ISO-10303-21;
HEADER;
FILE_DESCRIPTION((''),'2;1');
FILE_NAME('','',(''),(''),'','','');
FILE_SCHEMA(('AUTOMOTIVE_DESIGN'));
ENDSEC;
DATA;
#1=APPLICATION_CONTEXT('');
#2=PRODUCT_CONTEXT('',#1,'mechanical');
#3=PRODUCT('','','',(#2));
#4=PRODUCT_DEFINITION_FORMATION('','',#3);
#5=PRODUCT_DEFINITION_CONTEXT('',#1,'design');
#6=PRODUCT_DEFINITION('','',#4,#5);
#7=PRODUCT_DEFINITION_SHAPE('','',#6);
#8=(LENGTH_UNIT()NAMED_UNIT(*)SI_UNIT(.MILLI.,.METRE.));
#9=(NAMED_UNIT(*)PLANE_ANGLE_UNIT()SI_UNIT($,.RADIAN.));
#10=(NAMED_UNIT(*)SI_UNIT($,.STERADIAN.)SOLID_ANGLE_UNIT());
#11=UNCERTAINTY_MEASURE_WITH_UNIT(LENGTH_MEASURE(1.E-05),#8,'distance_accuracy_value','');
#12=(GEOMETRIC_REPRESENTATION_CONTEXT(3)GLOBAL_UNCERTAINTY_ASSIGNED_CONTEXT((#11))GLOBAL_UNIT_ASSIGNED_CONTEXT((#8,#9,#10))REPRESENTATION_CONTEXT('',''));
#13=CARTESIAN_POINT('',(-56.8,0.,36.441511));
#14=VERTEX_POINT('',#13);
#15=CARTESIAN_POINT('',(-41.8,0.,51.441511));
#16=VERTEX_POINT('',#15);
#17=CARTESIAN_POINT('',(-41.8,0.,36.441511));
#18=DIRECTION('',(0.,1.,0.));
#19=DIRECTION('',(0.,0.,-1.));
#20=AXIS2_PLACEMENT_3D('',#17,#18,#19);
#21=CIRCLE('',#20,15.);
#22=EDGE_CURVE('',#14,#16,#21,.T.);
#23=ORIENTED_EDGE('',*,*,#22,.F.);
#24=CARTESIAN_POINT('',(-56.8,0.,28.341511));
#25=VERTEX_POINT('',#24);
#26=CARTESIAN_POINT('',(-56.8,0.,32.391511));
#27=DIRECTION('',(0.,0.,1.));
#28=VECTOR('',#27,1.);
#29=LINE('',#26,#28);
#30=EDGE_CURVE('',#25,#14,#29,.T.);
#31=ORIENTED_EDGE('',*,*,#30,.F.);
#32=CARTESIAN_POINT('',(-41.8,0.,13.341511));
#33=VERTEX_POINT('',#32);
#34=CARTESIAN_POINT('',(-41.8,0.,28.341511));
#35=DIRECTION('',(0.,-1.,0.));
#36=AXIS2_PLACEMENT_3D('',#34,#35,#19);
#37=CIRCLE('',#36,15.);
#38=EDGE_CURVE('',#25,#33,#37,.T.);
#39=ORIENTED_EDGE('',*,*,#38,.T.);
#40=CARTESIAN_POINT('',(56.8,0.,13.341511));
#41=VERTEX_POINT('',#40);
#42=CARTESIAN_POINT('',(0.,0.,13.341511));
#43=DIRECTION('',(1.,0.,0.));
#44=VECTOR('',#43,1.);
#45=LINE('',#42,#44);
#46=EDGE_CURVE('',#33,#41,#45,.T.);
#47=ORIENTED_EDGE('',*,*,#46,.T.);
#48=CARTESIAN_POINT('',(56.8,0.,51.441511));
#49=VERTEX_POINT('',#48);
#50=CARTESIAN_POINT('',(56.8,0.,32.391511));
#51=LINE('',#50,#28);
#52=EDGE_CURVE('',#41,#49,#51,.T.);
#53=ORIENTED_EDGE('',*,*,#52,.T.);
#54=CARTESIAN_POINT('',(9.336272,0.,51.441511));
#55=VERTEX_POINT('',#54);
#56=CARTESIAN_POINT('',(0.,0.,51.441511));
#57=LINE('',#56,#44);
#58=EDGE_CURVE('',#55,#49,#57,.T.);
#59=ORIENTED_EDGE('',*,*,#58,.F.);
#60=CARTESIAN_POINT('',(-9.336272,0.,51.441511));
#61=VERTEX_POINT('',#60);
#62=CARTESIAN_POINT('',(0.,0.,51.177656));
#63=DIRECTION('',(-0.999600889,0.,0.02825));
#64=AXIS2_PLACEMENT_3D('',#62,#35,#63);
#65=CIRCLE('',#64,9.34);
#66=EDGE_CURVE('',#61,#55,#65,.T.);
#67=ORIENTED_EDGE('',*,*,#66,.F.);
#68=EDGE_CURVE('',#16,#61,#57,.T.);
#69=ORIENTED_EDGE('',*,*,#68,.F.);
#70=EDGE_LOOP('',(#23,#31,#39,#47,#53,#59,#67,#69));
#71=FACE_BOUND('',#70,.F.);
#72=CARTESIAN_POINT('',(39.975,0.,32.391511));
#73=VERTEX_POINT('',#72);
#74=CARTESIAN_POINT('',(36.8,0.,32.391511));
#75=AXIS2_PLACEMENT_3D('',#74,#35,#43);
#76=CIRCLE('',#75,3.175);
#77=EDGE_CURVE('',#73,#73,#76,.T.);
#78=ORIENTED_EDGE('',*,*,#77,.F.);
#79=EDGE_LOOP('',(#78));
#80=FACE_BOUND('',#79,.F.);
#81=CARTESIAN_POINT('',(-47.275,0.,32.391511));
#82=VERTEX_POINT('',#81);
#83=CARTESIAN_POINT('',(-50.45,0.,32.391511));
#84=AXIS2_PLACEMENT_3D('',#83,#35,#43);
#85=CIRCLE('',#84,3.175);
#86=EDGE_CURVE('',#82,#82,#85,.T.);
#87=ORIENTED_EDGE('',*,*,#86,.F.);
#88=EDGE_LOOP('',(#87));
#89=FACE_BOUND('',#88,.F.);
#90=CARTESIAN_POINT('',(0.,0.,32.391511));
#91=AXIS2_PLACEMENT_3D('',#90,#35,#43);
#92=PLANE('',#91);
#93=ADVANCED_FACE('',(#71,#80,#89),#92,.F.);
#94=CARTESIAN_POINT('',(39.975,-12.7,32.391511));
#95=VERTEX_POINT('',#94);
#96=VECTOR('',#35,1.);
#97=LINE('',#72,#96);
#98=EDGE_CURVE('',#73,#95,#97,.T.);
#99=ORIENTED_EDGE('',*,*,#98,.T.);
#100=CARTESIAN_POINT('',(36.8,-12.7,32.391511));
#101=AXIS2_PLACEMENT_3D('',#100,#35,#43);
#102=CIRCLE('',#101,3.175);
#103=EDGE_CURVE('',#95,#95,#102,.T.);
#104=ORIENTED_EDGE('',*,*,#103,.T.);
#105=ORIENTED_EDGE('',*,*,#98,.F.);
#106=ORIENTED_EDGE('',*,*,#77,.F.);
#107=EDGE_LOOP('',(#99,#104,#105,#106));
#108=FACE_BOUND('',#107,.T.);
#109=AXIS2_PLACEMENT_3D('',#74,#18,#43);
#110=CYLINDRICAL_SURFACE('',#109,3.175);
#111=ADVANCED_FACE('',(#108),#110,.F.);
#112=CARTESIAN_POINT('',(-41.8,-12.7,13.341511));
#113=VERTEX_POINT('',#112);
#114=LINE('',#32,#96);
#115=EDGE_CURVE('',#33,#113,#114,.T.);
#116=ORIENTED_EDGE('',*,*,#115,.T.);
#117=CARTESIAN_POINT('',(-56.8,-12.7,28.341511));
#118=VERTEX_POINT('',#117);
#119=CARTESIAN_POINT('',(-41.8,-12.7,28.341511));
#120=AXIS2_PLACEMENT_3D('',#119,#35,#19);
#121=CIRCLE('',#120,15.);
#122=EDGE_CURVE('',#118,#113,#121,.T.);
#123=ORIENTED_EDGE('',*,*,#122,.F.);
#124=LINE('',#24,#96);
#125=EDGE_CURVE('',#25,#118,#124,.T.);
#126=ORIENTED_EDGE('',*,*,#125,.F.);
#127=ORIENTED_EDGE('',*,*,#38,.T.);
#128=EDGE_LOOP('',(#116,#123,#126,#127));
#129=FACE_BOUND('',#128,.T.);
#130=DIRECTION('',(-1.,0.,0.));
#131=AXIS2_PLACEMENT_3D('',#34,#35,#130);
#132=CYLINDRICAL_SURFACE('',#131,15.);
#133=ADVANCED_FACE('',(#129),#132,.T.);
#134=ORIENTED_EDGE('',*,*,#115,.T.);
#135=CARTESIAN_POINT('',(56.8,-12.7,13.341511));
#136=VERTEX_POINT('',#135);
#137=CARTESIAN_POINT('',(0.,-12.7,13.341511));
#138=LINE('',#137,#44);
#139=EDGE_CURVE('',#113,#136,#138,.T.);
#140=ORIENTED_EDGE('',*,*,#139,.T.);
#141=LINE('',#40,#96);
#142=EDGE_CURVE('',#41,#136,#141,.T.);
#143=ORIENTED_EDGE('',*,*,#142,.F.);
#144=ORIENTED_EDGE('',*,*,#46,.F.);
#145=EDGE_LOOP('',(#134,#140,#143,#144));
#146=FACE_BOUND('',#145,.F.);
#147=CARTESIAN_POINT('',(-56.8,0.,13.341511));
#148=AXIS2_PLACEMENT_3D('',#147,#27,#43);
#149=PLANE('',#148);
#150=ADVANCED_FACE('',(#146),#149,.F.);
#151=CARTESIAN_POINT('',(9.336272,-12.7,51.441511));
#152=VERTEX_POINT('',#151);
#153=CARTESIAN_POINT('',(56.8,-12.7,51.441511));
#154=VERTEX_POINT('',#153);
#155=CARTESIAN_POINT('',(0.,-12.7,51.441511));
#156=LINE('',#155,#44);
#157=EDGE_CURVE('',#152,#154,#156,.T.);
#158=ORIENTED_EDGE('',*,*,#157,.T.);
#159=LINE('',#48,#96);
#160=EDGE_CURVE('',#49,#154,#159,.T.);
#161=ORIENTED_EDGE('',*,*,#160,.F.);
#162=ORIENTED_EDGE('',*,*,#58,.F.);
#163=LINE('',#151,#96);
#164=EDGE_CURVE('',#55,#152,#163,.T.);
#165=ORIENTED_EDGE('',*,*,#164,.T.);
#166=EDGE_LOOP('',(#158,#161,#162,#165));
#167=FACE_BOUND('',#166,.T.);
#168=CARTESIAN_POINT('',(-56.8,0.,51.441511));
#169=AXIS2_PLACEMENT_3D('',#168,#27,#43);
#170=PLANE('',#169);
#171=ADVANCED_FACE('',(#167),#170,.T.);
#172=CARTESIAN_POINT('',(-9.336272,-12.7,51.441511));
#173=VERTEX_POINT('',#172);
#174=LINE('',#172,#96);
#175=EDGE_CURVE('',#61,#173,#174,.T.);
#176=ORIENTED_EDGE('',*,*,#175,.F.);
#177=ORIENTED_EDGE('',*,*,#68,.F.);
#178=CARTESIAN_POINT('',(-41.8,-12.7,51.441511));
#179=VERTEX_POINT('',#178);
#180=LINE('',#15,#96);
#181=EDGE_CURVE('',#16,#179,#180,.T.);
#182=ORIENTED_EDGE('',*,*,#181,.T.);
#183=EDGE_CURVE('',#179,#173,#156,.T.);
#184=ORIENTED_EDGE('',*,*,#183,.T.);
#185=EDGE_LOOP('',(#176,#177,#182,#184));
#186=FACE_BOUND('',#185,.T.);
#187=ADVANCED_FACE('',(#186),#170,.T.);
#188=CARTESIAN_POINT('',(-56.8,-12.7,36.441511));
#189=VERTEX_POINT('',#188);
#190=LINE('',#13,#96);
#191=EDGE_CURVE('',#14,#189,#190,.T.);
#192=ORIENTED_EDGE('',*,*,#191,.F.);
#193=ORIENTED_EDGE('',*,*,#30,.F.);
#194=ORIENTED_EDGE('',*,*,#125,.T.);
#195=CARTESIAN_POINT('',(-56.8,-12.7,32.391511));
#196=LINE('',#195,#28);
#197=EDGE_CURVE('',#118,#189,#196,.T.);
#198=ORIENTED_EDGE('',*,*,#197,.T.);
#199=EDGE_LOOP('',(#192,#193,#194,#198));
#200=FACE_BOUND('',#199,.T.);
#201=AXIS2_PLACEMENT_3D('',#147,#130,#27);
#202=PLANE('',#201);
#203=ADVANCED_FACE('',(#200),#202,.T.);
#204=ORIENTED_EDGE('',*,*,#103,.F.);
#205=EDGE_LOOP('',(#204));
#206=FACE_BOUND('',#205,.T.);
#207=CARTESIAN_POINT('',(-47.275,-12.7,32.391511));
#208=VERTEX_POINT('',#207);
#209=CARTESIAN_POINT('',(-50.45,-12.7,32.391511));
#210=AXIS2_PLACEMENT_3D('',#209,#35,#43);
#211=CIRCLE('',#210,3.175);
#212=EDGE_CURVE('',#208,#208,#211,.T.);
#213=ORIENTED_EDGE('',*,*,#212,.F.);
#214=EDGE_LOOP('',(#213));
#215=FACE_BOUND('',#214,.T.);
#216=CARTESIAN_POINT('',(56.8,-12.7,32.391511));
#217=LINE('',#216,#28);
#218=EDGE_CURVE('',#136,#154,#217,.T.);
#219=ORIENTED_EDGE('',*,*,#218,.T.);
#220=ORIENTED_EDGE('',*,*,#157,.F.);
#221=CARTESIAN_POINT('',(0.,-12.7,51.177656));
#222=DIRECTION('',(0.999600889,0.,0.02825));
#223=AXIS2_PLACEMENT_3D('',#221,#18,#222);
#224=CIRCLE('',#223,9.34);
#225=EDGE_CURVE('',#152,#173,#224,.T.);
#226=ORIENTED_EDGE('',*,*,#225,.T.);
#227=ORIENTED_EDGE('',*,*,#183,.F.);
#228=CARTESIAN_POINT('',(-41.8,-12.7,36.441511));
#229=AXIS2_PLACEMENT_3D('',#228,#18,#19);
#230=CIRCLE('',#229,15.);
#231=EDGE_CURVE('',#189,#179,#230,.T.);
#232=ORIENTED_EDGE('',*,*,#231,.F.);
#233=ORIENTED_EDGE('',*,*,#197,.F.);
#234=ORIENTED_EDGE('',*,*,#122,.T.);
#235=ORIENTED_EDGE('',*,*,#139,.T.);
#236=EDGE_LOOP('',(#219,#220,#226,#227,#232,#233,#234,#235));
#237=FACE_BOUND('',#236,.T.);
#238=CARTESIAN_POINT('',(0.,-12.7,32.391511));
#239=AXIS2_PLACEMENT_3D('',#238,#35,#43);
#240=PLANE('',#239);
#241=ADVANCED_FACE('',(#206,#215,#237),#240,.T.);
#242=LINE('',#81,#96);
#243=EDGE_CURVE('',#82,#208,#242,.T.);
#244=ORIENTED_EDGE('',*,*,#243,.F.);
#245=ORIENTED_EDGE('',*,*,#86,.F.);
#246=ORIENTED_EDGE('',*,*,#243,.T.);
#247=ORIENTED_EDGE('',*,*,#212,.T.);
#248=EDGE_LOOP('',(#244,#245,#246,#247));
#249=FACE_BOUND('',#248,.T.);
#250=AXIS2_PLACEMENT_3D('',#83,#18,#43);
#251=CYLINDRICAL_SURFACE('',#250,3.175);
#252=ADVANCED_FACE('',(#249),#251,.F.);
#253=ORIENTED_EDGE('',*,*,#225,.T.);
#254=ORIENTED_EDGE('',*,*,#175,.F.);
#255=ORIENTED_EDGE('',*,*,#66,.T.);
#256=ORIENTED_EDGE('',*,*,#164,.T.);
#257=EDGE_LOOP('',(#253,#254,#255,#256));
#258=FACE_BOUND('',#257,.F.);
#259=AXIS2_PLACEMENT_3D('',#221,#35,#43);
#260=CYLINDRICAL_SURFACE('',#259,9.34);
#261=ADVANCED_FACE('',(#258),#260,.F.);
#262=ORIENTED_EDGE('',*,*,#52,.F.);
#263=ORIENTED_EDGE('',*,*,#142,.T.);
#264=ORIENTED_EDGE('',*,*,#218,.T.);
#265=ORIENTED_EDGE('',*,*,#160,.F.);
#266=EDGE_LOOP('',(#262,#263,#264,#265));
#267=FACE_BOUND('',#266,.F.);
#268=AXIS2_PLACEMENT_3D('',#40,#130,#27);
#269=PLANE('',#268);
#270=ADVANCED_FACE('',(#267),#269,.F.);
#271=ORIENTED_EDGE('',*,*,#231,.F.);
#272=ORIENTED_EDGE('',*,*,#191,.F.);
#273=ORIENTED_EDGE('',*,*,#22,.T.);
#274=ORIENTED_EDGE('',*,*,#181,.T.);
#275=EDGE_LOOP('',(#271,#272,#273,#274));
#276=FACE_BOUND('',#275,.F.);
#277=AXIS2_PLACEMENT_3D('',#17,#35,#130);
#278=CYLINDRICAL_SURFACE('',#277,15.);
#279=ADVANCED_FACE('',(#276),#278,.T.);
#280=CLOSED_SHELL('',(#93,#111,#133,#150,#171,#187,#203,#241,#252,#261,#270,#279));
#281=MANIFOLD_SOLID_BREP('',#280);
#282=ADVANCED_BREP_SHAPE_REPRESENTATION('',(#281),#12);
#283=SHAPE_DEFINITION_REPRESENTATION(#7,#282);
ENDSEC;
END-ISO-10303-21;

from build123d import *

# Parameters (mm, degrees)
F0_W     = 113.6
F0_H     = 38.1
F0_R     = 3.175
F1_DEPTH = 12.7
F2_R     = 15
F3_R     = 9.34
F4_DEPTH = 15.4


with BuildPart() as f1:
    # F0 (on Front) → F1 (new body)
    with BuildSketch(Plane.XZ):
        with Locations((0, 32.391511)):
            Rectangle(F0_W, F0_H)
        with Locations((-50.45, 32.391511)):
            Circle(F0_R, mode=Mode.SUBTRACT)
        with Locations((36.8, 32.391511)):
            Circle(F0_R, mode=Mode.SUBTRACT)
    extrude(amount=F1_DEPTH)

    # F2
    f2_edges = [f1.edges().sort_by_distance(p)[0] for p in [
        (-56.8, -6.35, 51.441511),
        (-56.8, -6.35, 13.341511),
    ]]
    fillet(f2_edges, radius=F2_R)

    # F3 (on face) → F4 (cut)
    with BuildSketch(Plane.XZ.offset(12.7)):
        with Locations((0, 51.177656)):
            Circle(F3_R)
    extrude(amount=-F4_DEPTH, mode=Mode.SUBTRACT)


solid = f1.part
